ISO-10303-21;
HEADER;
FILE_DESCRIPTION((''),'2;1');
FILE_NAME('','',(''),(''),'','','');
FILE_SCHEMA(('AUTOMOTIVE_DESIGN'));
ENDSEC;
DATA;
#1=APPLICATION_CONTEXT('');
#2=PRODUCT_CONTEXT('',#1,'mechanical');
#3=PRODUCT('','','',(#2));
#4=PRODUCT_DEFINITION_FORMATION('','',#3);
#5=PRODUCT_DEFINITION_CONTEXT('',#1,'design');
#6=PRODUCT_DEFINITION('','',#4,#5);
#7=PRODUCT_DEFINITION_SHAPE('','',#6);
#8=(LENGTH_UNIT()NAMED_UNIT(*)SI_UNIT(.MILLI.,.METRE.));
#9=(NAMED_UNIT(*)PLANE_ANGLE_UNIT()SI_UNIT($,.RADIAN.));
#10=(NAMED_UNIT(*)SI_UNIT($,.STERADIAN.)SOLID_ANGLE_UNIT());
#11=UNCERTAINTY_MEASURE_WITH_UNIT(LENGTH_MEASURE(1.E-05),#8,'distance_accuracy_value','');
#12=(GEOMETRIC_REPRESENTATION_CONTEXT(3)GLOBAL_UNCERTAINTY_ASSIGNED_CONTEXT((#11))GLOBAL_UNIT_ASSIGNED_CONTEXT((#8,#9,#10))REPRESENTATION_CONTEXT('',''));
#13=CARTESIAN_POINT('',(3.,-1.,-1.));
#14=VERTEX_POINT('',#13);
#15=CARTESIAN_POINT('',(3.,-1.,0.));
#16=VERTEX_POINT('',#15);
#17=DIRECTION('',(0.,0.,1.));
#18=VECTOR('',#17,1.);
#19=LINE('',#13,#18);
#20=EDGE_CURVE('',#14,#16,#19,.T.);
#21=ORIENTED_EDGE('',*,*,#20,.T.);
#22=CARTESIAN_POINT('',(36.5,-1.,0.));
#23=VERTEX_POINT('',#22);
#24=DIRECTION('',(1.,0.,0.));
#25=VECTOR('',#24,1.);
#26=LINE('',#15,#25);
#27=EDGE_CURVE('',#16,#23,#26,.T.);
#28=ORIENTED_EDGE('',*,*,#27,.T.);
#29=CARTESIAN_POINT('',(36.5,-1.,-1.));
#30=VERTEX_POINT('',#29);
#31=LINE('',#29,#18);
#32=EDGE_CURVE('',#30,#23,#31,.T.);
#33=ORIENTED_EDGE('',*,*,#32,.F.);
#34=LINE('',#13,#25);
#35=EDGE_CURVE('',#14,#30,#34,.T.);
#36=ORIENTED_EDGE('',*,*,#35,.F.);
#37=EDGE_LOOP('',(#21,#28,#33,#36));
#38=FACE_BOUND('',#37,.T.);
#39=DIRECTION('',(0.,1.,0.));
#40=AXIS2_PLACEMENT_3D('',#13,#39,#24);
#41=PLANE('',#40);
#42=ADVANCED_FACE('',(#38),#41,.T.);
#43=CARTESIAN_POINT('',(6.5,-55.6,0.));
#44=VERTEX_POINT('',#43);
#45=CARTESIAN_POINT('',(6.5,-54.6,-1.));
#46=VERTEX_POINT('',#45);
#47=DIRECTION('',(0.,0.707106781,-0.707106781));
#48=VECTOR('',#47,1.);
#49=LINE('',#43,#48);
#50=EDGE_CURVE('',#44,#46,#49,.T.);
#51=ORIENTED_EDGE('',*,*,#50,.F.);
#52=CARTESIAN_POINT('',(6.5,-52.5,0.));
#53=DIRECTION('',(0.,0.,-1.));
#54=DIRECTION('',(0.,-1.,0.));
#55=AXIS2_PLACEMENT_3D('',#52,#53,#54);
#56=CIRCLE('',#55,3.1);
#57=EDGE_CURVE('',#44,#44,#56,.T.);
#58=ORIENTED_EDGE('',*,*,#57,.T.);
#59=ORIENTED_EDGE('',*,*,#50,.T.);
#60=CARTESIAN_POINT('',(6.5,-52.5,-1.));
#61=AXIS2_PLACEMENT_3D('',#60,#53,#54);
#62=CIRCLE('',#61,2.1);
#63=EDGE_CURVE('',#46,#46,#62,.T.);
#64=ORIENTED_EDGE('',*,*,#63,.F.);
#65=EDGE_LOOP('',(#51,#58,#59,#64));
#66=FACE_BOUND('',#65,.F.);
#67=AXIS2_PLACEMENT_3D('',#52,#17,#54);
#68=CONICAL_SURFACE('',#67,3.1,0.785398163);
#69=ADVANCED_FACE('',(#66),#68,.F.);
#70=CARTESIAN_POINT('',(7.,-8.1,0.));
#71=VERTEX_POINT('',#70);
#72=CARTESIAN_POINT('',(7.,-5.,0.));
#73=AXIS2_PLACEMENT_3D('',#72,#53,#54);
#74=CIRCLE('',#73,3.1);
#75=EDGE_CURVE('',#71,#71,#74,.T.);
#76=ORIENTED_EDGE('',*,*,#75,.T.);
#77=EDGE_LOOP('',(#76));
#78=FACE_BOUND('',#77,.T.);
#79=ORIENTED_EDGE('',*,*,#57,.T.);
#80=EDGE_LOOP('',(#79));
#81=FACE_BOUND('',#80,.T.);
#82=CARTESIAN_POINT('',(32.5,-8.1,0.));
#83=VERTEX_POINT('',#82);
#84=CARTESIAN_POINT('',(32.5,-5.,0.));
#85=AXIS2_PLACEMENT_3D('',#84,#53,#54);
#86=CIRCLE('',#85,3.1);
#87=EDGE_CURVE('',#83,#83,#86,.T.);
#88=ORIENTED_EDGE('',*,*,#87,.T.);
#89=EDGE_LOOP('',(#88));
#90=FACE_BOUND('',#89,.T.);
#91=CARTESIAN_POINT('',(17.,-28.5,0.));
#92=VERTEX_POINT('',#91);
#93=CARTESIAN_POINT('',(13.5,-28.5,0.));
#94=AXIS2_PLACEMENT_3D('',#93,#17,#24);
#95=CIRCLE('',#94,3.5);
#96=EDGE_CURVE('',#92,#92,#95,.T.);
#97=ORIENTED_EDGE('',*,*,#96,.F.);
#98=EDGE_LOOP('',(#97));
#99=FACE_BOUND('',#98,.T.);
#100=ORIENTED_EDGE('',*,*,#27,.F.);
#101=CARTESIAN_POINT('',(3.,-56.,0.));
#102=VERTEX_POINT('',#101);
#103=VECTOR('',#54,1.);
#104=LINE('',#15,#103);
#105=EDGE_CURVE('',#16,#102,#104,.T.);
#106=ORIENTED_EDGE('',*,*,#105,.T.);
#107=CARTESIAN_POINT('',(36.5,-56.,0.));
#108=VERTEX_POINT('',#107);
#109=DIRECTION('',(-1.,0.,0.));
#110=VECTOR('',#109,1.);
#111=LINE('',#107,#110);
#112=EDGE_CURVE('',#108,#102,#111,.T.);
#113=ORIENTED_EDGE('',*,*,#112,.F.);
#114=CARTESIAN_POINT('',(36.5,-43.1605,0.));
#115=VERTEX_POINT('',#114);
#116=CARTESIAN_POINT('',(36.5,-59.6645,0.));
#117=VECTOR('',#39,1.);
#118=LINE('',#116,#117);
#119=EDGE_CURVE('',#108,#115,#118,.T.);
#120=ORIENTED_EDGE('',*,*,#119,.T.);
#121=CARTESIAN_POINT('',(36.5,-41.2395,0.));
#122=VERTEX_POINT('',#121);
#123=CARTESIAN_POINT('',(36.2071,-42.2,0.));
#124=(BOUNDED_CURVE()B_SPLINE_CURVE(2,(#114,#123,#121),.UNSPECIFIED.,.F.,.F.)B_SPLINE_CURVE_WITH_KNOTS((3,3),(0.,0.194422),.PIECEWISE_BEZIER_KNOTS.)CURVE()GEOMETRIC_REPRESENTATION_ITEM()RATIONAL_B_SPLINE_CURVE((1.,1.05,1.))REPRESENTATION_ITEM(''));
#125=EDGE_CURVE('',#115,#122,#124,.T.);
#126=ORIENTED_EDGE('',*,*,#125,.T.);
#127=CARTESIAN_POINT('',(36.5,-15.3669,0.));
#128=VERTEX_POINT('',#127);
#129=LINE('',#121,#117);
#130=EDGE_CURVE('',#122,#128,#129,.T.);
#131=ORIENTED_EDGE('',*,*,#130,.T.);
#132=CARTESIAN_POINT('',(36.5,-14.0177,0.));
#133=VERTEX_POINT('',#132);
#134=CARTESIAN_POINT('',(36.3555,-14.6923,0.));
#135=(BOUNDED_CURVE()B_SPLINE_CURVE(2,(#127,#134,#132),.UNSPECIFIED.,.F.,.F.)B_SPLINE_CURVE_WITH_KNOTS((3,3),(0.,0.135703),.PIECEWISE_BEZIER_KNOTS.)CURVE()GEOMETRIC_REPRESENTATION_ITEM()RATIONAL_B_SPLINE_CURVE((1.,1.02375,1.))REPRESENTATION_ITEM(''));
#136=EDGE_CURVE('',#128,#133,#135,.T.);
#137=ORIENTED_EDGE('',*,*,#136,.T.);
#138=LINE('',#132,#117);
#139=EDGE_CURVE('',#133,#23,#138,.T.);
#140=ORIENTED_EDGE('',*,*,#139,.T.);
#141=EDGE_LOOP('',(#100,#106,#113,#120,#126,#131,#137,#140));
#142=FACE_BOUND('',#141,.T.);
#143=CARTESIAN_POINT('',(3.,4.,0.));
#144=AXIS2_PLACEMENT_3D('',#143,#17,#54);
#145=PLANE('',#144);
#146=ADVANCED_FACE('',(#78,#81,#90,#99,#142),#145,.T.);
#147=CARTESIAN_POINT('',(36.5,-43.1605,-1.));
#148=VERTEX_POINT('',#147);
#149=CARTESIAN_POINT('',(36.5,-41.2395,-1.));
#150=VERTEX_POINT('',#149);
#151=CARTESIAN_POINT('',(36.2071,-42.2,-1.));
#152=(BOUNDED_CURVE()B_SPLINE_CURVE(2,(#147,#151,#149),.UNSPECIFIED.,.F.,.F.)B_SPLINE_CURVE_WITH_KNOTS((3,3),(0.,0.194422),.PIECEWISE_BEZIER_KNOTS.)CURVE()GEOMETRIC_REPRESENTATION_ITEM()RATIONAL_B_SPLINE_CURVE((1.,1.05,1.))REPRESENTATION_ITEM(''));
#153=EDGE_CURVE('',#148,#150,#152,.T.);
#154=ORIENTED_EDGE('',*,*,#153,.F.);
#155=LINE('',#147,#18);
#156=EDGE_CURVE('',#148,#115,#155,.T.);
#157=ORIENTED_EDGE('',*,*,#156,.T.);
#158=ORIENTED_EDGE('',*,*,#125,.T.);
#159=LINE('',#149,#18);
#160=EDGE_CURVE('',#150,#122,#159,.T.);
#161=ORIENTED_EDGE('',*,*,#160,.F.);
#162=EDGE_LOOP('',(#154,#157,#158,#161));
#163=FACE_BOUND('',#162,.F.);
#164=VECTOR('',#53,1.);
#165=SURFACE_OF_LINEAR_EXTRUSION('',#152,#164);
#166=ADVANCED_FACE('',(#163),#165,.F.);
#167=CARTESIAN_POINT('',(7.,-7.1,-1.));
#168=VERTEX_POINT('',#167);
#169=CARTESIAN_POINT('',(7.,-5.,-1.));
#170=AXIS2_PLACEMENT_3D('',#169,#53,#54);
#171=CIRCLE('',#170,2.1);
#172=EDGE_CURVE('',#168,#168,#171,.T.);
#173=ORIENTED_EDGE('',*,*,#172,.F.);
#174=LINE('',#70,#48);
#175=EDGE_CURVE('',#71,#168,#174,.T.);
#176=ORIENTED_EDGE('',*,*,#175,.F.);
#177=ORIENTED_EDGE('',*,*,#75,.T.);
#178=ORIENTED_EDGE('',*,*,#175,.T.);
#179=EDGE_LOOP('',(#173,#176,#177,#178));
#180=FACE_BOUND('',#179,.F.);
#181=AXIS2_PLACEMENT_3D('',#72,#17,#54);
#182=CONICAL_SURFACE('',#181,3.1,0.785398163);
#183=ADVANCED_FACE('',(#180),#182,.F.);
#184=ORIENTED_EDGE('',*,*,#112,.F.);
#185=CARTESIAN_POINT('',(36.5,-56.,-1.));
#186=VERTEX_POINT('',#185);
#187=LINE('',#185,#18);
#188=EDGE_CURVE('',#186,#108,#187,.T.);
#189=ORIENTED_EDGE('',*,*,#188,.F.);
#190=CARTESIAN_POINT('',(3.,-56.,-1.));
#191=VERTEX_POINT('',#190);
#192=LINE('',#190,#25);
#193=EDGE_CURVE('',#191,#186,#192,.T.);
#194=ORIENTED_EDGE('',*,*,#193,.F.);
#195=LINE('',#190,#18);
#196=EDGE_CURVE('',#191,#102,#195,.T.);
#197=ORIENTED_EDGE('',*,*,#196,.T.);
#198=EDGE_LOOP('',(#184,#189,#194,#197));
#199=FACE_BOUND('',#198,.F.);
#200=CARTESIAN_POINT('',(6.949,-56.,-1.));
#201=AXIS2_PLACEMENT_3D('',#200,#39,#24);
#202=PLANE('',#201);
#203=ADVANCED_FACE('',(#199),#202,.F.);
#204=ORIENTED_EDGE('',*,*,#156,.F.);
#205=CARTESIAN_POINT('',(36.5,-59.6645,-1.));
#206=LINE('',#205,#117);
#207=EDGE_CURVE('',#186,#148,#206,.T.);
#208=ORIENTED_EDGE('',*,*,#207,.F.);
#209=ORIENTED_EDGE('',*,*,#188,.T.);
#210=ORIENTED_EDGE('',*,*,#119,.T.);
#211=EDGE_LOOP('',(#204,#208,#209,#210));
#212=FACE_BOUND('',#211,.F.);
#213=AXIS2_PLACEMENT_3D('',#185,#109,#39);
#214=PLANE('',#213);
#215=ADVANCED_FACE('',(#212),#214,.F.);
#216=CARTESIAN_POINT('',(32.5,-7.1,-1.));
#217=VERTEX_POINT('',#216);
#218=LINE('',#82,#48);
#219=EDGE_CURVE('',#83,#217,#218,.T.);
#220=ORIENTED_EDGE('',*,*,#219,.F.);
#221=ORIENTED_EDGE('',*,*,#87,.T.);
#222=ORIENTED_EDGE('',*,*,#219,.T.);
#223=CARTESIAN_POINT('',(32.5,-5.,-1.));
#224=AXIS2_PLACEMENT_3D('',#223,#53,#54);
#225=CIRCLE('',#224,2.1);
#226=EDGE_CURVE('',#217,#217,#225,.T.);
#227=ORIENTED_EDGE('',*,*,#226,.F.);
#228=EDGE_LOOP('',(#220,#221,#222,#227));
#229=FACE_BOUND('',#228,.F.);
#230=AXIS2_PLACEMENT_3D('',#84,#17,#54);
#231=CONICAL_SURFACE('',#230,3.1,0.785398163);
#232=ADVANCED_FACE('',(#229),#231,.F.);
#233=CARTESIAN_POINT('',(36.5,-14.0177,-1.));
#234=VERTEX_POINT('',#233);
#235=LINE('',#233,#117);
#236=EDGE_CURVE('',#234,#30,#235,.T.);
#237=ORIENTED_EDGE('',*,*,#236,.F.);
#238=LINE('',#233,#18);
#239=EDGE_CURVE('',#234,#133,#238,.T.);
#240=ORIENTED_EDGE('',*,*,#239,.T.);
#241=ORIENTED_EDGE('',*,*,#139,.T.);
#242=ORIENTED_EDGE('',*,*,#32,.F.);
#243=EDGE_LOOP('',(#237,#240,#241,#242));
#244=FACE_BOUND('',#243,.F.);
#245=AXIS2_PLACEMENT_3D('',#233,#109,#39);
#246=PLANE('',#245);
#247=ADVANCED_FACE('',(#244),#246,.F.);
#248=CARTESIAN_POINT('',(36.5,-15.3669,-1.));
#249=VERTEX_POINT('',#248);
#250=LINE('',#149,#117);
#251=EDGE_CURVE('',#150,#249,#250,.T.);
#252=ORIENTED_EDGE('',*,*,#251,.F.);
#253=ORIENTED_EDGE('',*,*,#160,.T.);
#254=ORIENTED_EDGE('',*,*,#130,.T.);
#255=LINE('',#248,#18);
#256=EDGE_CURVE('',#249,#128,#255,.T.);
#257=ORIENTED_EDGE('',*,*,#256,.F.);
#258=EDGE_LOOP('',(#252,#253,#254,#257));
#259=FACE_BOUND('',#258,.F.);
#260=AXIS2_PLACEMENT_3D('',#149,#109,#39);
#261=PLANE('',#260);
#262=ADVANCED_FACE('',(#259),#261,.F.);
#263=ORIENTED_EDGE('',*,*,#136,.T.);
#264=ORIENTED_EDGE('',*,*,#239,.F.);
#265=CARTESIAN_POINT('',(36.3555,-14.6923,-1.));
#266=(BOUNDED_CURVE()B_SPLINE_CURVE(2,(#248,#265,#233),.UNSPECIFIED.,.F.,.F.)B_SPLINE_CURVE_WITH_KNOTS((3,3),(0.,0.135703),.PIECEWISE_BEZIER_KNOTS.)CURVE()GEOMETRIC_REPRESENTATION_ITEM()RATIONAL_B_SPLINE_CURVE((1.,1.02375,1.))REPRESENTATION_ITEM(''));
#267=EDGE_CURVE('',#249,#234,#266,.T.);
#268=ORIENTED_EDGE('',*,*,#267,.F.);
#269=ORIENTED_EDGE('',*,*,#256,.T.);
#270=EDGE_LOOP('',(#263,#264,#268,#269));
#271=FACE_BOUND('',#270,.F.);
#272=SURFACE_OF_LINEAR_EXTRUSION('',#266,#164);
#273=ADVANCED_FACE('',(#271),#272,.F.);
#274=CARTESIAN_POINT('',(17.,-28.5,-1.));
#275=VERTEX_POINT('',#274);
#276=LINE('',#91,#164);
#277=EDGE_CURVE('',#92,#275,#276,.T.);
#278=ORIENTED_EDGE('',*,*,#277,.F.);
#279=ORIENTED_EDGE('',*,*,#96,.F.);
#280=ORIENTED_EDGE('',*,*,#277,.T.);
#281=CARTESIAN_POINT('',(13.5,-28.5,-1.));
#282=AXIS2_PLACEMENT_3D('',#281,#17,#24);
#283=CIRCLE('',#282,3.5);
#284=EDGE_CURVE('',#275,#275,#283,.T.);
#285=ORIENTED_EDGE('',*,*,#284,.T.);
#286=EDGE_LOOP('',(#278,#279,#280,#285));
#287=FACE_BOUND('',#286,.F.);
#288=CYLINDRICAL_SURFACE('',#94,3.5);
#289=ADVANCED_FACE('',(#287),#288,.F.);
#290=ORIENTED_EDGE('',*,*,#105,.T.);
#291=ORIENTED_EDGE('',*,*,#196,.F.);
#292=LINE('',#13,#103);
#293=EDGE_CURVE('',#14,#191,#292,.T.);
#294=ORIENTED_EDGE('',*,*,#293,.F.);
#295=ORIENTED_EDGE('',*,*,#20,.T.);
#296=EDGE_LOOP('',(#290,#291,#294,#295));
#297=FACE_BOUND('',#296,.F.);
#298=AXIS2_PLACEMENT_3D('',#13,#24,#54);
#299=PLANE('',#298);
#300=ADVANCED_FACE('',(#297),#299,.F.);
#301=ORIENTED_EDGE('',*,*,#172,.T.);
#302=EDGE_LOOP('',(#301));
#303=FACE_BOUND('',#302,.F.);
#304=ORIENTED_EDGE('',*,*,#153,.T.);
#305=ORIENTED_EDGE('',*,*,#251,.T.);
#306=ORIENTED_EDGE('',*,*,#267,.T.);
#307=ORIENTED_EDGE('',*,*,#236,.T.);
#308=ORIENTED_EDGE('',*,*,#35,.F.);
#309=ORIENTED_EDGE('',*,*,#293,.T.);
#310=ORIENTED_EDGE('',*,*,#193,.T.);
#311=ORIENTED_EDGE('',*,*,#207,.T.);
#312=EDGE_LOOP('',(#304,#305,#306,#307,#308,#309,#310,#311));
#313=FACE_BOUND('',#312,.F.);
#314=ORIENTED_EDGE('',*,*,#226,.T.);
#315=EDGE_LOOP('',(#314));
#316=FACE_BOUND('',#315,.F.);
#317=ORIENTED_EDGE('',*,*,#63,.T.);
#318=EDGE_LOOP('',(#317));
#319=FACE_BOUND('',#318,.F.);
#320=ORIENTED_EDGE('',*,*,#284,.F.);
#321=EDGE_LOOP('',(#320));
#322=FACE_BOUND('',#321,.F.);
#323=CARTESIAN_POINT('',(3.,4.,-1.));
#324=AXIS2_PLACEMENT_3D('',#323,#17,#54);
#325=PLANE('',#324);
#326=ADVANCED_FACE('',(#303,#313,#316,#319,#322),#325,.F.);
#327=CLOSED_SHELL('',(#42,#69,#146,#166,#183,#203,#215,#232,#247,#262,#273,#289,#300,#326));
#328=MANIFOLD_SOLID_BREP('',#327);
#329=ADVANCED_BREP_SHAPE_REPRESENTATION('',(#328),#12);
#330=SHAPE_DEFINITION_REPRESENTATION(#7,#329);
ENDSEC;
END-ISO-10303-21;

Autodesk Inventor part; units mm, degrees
ref_plane "YZ Plane" through (0, 0, 0) normal (1, 0, 0) x (0, 1, 0)
ref_plane "XZ Plane" through (0, 0, 0) normal (0, 1, 0) x (-1, 0, 0)
ref_plane "XY Plane" through (0, 0, 0) normal (0, 0, 1) x (1, 0, 0)
ref_plane "Work Plane1" through (3, 4, -1) normal (0, 0, 1) x (0, -1, 0)
sketch "Sketch1" plane through (3, 4, -1) normal (0, 0, 1) x (0, -1, 0)
  line L0 (87.75, 33.5) -> (84.9105, 33.5) projected
  line L1 (5, 0) -> (5, 33.5) projected
  line L2 (5, 0) -> (87.75, 0) projected
  line L3 (5, 0) -> (60, 0) projected
  line L4 (5, -3) -> (5, 0) projected
  line L5 (4, -3) -> (60, -3) projected
  line L6 (60, -3) -> (60, 0) projected
  circle A0 centre (74.375, 17.375) radius 6.75 projected
  line L7 (60, 0) -> (60, 33.5)
  circle A1 centre (32.5, 10.5) radius 5.5 projected
  circle A2 centre (9, 4) radius 2.1 projected
  circle A3 centre (9, 29.5) radius 2.1 projected
  circle A4 centre (56.5, 3.5) radius 2.1 projected
  line L8 (82.9895, 33.5) -> (65.5855, 33.5) projected
  line L9 (63.6645, 33.5) -> (47.1605, 33.5) projected
  spline S0 degree 2 poles (47.1605, 33.5) (46.2, 33.2071) (45.2395, 33.5) knots 0 0 0 0.194422 0.194422 0.194422 weights 1 1.05 1 projected
  line L10 (45.2395, 33.5) -> (19.3669, 33.5) projected
  spline S1 degree 2 poles (19.3669, 33.5) (18.6923, 33.3555) (18.0177, 33.5) knots 0 0 0 0.135703 0.135703 0.135703 weights 1 1.02375 1 projected
  spline S2 degree 2 poles (84.9105, 33.5) (83.95, 33.2071) (82.9895, 33.5) knots 0 0 0 0.194422 0.194422 0.194422 weights 1 1.05 1 projected
  spline S3 degree 2 poles (65.5855, 33.5) (64.625, 33.2071) (63.6645, 33.5) knots 0 0 0 0.194422 0.194422 0.194422 weights 1 1.05 1 projected
  line L11 (87.75, 0) -> (87.75, 33.5) projected
  line L12 (18.0177, 33.5) -> (5, 33.5) projected
  line L13 (60, 30.5) -> (60, 3.949) projected
  arc A5 (63.949, 0) -> (60, 3.949) centre (62.75, 2.75) ccw projected
  line L14 (63.949, 0) -> (84.801, 0) projected
  arc A6 (87.199, 0) -> (84.801, 0) centre (86, 2.75) ccw projected
  line L15 (87.199, 0) -> (183, 0) projected
  line L16 (183, 0) -> (183, 4.5) projected
  line L17 (183, 4.5) -> (142.5556, 30.5) projected
  line L18 (142.5556, 30.5) -> (60, 30.5) projected
  point P0 (89.75, 33.5)
  point P1 (52, 0)
  point P2 (64.076, 0)
  point P3 (87.674, 0)
  point P4 (63.25, 3.25)
  point P5 (86.9105, 33.5)
  point P6 (84.9895, 33.5)
  point P7 (60, 1.551)
extrude "Extrusion1" add sketch "Sketch1" along normal blind 1 contours L7 L2 L1 L12 S1 L10 S0 L9 | A1 | A2 | A3 | A4
sketch "Sketch2" plane through (3, 4, 0) normal (0, 0, 1) x (1, 0, 0)
  line L0 (12.5287, -34.71) -> (8.4496, -34.6899)
  arc A0 (8.4713, -30.29) -> (8.4496, -34.6899) centre (10.5, -32.5) ccw
  line L1 (8.4713, -30.29) -> (12.5504, -30.3101)
  arc A1 (12.5287, -34.71) -> (12.5504, -30.3101) centre (10.5, -32.5) ccw
  circle A2 centre (10.5, -32.5) radius 3
  circle A3 centre (10.5, -32.5) radius 3.5
  point P0 (-3, -4)
  dimension "d5" = 0.5
extrude "Extrusion2" cut sketch "Sketch2" against normal up to next contours A2 L0 | L0 A0 L1 A1 | A2 L1 | A3
sketch "Sketch3" plane through (3, 4, 0) normal (0, 0, 1) x (1, 0, 0)
  circle A0 centre (10.5, -32.5) radius 3.5 projected
  line L0 (0, -5) -> (0, -60) projected
  line L1 (33.5, -5) -> (0, -5) projected
  circle A1 centre (3.5, -56.5) radius 3.5
  circle A2 centre (4, -9) radius 4
  circle A3 centre (3.5, -56.5) radius 2.6
  circle A4 centre (4, -9) radius 2.6
  circle A5 centre (29.5, -9) radius 4
  circle A6 centre (29.5, -9) radius 2.6
  line L2 (33.5, -60) -> (33.5, -47.1605) projected
  line L3 (33.5, -45.2395) -> (33.5, -19.3669) projected
  line L4 (33.5, -18.0177) -> (33.5, -5) projected
  line L5 (0, -60) -> (33.5, -60) projected
  point P0 (-3, -4)
  dimension "d8" = 7
  dimension "d17" = 8
  dimension "d18" = 5.2
  dimension "d19" = 5.2
  dimension "d20" = 4
  dimension "d21" = 4
  dimension "d22" = 8
  dimension "d23" = 5.2
  dimension "d25" = 4
hole "Hole1" at (6.5, -52.5, 0) at (7, -5, 0) at (32.5, -5, 0) direction (0, 0, -1) diameter 3.6 end through all countersink diameter 6.2 countersink angle 90 clearance for "Countersunk Flat Head Screw ISO 2009/7046" size "M3" standard "ISO"
properties part number "right_metal_gear_bracker" material "Nylon 6/6"
